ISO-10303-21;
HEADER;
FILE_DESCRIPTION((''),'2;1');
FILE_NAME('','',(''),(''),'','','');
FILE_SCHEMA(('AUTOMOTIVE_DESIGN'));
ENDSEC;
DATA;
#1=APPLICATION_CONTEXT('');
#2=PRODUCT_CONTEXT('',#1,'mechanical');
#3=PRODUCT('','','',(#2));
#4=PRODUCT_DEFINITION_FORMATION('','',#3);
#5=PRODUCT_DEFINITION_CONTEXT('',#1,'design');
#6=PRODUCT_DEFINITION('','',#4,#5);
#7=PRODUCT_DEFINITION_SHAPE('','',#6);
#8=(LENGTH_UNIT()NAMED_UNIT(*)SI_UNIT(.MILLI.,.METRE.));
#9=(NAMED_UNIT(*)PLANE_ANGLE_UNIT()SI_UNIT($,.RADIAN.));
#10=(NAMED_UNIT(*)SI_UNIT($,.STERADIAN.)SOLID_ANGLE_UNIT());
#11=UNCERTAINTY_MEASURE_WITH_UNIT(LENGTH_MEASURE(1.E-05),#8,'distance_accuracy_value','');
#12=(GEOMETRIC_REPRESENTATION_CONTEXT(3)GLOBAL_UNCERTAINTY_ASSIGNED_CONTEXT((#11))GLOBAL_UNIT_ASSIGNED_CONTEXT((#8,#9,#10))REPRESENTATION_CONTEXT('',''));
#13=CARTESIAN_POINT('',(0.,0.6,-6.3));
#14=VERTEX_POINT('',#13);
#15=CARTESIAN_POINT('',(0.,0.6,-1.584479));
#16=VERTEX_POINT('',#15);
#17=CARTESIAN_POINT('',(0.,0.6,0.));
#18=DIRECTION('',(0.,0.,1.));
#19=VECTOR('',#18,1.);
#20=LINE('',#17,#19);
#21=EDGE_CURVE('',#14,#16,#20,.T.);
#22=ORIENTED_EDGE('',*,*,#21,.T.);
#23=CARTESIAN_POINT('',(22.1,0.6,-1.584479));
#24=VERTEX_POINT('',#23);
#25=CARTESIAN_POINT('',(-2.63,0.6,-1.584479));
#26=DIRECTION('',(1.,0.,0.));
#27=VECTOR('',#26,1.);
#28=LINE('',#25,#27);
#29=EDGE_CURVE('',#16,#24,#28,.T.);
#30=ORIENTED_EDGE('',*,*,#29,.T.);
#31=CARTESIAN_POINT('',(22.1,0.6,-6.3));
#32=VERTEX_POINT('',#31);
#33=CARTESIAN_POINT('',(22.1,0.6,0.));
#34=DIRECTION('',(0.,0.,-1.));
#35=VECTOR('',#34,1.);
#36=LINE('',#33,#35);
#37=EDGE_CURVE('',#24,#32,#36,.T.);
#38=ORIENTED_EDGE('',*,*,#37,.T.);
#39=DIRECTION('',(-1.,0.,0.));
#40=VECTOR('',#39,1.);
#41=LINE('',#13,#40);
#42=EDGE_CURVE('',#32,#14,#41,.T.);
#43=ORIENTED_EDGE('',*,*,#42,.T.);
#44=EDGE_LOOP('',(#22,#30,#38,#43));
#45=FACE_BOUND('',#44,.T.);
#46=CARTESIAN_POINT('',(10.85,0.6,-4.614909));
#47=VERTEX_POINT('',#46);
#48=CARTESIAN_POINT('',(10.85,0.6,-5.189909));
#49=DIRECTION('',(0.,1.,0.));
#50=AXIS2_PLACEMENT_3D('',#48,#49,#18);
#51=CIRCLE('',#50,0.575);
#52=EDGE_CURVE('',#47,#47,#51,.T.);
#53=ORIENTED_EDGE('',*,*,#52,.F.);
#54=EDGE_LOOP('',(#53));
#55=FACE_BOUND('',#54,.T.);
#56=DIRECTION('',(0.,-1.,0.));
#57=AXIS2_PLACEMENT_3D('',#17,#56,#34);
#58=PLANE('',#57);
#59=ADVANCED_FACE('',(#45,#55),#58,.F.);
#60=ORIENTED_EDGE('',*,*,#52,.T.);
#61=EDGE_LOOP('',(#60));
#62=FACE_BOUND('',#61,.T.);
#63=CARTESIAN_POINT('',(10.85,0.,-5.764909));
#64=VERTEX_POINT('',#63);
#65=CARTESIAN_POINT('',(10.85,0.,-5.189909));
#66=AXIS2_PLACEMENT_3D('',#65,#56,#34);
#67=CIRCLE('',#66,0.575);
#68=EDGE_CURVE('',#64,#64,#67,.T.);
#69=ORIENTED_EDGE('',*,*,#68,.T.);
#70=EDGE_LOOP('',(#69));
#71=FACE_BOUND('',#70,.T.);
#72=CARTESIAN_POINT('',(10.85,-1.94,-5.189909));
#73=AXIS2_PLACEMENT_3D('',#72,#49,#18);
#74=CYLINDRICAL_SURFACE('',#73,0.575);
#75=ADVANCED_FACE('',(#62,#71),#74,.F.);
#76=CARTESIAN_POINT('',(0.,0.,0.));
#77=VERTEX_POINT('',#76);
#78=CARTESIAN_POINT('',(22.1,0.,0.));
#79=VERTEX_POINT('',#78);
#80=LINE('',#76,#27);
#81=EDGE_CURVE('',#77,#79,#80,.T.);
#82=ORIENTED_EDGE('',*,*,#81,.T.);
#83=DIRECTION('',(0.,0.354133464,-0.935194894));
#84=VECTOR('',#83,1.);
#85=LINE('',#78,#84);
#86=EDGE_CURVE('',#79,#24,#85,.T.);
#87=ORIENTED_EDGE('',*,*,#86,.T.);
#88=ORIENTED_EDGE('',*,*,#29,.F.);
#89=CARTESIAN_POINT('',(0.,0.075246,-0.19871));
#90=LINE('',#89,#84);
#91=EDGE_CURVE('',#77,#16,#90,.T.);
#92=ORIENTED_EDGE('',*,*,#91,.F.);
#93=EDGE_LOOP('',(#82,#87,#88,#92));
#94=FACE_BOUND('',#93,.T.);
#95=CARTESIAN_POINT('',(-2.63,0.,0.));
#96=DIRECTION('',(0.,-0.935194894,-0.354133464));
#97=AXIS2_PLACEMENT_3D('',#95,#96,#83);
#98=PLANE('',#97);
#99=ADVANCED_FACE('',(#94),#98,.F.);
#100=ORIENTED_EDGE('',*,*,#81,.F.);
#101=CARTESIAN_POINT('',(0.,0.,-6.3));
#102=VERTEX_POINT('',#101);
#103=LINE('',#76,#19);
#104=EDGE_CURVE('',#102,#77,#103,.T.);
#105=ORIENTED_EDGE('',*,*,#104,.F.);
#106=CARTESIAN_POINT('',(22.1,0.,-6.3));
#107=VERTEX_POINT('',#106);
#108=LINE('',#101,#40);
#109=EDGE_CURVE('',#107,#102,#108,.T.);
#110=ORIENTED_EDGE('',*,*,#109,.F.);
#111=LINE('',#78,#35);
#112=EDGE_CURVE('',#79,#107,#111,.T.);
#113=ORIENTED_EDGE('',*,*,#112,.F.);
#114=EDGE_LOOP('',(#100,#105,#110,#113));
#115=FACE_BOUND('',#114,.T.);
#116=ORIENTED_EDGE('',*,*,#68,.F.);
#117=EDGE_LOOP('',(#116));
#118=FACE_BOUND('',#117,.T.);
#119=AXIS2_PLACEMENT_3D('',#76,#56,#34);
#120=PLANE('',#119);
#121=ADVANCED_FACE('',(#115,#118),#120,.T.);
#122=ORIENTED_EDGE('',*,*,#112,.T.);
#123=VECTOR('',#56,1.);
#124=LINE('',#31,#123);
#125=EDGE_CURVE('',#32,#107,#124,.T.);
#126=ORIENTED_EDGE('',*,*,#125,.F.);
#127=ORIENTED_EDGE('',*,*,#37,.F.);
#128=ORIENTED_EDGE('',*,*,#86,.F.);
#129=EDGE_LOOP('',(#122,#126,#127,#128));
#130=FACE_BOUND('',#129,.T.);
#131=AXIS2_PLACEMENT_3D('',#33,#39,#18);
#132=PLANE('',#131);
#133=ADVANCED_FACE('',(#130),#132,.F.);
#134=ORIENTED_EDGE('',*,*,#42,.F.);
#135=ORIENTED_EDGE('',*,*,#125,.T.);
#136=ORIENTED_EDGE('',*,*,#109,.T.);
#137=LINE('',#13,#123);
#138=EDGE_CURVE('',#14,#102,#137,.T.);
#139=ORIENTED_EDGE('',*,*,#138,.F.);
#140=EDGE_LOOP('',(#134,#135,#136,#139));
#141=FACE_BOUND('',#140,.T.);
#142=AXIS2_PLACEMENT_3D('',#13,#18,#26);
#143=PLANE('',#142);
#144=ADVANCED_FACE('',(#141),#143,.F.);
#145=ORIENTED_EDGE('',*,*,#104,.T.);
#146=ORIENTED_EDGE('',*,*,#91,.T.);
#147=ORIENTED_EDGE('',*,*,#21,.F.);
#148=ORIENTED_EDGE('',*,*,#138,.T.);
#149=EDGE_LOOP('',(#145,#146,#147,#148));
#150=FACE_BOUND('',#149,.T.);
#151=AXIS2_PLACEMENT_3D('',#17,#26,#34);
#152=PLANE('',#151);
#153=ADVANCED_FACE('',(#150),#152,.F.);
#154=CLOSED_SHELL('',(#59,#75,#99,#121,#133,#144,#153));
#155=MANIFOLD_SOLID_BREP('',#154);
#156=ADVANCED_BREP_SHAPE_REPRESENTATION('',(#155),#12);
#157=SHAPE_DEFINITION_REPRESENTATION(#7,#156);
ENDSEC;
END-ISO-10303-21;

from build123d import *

# Parameters (mm, degrees)
SKETCH1_W           = 22.1
SKETCH1_H           = 6.3
BOSS_EXTRUDE1_DEPTH = 0.6
CUT_EXTRUDE1_DEPTH  = 24.73
SKETCH4_R           = 0.575
CUT_EXTRUDE2_DEPTH  = 2.54


with BuildPart() as part:
    # Sketch1 → Boss-Extrude1 (new body)
    with BuildSketch(Plane(origin=(0, 0, 0), x_dir=(1, 0, 0), z_dir=(0, 1, 0))):
        with Locations((11.05, 3.15)):
            Rectangle(SKETCH1_W, SKETCH1_H)
    extrude(amount=BOSS_EXTRUDE1_DEPTH)

    # Sketch3 → Cut-Extrude1 (cut)
    with BuildSketch(Plane(origin=(22.1, 0, 0), x_dir=(0, 0, -1), z_dir=(1, 0, 0))):
        Polygon((0, 0.6), (0, 0), (1.584478717, 0.6), align=None)
    extrude(amount=-CUT_EXTRUDE1_DEPTH, mode=Mode.SUBTRACT)

    # Sketch4 → Cut-Extrude2 (cut)
    with BuildSketch(Plane(origin=(0, 0.6, 0), x_dir=(1, 0, 0), z_dir=(0, 1, 0))):
        with Locations(Location((10.85, 5.189909292, 0), (0, 0, 270))):
            Circle(SKETCH4_R)
    extrude(amount=-CUT_EXTRUDE2_DEPTH, mode=Mode.SUBTRACT)


solid = part.part
